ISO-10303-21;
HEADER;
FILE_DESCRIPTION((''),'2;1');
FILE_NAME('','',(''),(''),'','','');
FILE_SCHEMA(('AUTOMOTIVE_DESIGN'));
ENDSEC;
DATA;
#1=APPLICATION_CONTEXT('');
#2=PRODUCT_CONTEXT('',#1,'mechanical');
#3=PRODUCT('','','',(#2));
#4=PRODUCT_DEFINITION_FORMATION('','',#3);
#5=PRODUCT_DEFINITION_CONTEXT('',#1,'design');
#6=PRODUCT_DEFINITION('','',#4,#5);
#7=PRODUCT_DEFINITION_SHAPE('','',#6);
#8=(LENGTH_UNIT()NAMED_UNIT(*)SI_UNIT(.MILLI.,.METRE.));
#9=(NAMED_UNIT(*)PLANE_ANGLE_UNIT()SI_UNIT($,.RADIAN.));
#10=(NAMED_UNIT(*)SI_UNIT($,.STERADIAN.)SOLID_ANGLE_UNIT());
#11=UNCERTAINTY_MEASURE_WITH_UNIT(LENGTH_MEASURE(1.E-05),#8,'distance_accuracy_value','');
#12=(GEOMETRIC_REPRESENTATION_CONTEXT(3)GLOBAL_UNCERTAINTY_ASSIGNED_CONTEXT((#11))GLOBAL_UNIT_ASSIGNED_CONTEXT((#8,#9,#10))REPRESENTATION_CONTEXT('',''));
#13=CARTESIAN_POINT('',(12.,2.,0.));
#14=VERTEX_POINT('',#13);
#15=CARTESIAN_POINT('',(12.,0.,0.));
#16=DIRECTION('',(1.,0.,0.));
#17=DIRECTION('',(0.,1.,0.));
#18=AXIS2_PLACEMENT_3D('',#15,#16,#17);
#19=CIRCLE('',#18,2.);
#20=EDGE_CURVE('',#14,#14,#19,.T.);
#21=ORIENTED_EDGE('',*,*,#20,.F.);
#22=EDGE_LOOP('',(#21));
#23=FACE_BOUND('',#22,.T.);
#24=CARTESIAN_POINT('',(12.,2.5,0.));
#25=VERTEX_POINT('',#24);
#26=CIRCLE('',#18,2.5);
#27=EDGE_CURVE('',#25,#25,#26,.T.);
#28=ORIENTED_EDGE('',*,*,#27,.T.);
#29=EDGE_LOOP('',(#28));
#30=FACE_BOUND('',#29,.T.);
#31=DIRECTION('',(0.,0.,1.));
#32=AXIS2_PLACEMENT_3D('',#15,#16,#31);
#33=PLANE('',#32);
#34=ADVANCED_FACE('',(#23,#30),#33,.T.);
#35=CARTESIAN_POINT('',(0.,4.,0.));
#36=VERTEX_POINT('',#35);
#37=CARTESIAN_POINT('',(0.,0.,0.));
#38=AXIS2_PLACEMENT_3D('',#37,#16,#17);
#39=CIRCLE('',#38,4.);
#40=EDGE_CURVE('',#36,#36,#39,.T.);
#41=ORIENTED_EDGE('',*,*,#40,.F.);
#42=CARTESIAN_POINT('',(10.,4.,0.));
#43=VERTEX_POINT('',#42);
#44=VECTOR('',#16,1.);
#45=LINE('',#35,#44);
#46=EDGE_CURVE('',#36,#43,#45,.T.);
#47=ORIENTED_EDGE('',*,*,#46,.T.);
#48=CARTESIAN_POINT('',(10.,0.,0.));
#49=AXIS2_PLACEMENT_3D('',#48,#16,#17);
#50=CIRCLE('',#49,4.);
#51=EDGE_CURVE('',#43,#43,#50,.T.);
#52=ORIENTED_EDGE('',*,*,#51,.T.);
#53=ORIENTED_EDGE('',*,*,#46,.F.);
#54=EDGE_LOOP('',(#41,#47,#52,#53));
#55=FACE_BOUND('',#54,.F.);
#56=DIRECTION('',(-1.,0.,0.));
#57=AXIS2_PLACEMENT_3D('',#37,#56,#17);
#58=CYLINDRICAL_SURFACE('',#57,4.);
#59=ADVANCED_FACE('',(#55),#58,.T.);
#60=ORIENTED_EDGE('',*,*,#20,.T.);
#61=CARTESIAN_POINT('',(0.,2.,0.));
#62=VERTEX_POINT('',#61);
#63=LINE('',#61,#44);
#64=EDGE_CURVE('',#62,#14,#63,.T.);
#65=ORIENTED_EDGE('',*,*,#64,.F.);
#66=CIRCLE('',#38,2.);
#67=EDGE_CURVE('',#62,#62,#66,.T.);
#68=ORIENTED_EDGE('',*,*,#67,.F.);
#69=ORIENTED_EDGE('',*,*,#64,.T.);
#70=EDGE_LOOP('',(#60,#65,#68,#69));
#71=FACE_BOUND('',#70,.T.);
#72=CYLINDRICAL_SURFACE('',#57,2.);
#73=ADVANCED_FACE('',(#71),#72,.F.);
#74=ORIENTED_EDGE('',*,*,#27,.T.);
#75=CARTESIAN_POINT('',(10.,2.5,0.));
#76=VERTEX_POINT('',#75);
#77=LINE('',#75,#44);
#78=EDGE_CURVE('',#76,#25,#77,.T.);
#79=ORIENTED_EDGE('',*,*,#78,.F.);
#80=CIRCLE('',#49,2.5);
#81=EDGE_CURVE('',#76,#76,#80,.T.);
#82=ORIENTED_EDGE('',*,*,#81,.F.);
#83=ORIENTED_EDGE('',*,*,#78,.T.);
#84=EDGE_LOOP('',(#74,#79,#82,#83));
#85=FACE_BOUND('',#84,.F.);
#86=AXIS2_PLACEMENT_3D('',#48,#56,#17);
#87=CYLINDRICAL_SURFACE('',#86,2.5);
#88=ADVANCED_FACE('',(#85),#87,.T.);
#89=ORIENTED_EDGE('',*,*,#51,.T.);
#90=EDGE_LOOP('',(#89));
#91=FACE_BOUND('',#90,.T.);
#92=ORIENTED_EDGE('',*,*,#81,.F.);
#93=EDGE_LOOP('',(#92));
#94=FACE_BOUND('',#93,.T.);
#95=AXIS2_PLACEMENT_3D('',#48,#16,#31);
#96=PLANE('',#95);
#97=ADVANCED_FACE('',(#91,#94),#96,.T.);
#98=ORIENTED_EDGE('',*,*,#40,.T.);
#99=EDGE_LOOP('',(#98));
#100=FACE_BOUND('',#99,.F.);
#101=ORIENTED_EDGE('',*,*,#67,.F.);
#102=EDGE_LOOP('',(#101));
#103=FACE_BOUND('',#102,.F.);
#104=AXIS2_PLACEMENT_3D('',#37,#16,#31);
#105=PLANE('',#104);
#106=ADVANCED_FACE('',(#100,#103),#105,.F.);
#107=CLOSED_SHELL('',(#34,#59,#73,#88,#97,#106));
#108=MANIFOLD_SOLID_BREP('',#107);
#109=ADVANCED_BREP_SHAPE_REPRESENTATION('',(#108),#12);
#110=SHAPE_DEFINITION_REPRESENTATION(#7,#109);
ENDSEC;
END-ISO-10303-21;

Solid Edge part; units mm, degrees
sketch "Sketch1" plane through (0, 0, 0) normal (1, 0, 0) x (0, 1, 0)
  circle A0 centre (0, 0) radius 4
  circle A1 centre (0, 0) radius 2
extrude "Protrusion1" add sketch "Sketch1" along normal blind 10
sketch "Sketch2" plane through (10, 0, 0) normal (1, 0, 0) x (0, 1, 0)
  circle A0 centre (0, 0) radius 2.5
  circle A1 centre (0, 0) radius 2
extrude "ExtrudedProtrusion_3" add sketch "Sketch2" along normal blind 2
properties material "PVC"
